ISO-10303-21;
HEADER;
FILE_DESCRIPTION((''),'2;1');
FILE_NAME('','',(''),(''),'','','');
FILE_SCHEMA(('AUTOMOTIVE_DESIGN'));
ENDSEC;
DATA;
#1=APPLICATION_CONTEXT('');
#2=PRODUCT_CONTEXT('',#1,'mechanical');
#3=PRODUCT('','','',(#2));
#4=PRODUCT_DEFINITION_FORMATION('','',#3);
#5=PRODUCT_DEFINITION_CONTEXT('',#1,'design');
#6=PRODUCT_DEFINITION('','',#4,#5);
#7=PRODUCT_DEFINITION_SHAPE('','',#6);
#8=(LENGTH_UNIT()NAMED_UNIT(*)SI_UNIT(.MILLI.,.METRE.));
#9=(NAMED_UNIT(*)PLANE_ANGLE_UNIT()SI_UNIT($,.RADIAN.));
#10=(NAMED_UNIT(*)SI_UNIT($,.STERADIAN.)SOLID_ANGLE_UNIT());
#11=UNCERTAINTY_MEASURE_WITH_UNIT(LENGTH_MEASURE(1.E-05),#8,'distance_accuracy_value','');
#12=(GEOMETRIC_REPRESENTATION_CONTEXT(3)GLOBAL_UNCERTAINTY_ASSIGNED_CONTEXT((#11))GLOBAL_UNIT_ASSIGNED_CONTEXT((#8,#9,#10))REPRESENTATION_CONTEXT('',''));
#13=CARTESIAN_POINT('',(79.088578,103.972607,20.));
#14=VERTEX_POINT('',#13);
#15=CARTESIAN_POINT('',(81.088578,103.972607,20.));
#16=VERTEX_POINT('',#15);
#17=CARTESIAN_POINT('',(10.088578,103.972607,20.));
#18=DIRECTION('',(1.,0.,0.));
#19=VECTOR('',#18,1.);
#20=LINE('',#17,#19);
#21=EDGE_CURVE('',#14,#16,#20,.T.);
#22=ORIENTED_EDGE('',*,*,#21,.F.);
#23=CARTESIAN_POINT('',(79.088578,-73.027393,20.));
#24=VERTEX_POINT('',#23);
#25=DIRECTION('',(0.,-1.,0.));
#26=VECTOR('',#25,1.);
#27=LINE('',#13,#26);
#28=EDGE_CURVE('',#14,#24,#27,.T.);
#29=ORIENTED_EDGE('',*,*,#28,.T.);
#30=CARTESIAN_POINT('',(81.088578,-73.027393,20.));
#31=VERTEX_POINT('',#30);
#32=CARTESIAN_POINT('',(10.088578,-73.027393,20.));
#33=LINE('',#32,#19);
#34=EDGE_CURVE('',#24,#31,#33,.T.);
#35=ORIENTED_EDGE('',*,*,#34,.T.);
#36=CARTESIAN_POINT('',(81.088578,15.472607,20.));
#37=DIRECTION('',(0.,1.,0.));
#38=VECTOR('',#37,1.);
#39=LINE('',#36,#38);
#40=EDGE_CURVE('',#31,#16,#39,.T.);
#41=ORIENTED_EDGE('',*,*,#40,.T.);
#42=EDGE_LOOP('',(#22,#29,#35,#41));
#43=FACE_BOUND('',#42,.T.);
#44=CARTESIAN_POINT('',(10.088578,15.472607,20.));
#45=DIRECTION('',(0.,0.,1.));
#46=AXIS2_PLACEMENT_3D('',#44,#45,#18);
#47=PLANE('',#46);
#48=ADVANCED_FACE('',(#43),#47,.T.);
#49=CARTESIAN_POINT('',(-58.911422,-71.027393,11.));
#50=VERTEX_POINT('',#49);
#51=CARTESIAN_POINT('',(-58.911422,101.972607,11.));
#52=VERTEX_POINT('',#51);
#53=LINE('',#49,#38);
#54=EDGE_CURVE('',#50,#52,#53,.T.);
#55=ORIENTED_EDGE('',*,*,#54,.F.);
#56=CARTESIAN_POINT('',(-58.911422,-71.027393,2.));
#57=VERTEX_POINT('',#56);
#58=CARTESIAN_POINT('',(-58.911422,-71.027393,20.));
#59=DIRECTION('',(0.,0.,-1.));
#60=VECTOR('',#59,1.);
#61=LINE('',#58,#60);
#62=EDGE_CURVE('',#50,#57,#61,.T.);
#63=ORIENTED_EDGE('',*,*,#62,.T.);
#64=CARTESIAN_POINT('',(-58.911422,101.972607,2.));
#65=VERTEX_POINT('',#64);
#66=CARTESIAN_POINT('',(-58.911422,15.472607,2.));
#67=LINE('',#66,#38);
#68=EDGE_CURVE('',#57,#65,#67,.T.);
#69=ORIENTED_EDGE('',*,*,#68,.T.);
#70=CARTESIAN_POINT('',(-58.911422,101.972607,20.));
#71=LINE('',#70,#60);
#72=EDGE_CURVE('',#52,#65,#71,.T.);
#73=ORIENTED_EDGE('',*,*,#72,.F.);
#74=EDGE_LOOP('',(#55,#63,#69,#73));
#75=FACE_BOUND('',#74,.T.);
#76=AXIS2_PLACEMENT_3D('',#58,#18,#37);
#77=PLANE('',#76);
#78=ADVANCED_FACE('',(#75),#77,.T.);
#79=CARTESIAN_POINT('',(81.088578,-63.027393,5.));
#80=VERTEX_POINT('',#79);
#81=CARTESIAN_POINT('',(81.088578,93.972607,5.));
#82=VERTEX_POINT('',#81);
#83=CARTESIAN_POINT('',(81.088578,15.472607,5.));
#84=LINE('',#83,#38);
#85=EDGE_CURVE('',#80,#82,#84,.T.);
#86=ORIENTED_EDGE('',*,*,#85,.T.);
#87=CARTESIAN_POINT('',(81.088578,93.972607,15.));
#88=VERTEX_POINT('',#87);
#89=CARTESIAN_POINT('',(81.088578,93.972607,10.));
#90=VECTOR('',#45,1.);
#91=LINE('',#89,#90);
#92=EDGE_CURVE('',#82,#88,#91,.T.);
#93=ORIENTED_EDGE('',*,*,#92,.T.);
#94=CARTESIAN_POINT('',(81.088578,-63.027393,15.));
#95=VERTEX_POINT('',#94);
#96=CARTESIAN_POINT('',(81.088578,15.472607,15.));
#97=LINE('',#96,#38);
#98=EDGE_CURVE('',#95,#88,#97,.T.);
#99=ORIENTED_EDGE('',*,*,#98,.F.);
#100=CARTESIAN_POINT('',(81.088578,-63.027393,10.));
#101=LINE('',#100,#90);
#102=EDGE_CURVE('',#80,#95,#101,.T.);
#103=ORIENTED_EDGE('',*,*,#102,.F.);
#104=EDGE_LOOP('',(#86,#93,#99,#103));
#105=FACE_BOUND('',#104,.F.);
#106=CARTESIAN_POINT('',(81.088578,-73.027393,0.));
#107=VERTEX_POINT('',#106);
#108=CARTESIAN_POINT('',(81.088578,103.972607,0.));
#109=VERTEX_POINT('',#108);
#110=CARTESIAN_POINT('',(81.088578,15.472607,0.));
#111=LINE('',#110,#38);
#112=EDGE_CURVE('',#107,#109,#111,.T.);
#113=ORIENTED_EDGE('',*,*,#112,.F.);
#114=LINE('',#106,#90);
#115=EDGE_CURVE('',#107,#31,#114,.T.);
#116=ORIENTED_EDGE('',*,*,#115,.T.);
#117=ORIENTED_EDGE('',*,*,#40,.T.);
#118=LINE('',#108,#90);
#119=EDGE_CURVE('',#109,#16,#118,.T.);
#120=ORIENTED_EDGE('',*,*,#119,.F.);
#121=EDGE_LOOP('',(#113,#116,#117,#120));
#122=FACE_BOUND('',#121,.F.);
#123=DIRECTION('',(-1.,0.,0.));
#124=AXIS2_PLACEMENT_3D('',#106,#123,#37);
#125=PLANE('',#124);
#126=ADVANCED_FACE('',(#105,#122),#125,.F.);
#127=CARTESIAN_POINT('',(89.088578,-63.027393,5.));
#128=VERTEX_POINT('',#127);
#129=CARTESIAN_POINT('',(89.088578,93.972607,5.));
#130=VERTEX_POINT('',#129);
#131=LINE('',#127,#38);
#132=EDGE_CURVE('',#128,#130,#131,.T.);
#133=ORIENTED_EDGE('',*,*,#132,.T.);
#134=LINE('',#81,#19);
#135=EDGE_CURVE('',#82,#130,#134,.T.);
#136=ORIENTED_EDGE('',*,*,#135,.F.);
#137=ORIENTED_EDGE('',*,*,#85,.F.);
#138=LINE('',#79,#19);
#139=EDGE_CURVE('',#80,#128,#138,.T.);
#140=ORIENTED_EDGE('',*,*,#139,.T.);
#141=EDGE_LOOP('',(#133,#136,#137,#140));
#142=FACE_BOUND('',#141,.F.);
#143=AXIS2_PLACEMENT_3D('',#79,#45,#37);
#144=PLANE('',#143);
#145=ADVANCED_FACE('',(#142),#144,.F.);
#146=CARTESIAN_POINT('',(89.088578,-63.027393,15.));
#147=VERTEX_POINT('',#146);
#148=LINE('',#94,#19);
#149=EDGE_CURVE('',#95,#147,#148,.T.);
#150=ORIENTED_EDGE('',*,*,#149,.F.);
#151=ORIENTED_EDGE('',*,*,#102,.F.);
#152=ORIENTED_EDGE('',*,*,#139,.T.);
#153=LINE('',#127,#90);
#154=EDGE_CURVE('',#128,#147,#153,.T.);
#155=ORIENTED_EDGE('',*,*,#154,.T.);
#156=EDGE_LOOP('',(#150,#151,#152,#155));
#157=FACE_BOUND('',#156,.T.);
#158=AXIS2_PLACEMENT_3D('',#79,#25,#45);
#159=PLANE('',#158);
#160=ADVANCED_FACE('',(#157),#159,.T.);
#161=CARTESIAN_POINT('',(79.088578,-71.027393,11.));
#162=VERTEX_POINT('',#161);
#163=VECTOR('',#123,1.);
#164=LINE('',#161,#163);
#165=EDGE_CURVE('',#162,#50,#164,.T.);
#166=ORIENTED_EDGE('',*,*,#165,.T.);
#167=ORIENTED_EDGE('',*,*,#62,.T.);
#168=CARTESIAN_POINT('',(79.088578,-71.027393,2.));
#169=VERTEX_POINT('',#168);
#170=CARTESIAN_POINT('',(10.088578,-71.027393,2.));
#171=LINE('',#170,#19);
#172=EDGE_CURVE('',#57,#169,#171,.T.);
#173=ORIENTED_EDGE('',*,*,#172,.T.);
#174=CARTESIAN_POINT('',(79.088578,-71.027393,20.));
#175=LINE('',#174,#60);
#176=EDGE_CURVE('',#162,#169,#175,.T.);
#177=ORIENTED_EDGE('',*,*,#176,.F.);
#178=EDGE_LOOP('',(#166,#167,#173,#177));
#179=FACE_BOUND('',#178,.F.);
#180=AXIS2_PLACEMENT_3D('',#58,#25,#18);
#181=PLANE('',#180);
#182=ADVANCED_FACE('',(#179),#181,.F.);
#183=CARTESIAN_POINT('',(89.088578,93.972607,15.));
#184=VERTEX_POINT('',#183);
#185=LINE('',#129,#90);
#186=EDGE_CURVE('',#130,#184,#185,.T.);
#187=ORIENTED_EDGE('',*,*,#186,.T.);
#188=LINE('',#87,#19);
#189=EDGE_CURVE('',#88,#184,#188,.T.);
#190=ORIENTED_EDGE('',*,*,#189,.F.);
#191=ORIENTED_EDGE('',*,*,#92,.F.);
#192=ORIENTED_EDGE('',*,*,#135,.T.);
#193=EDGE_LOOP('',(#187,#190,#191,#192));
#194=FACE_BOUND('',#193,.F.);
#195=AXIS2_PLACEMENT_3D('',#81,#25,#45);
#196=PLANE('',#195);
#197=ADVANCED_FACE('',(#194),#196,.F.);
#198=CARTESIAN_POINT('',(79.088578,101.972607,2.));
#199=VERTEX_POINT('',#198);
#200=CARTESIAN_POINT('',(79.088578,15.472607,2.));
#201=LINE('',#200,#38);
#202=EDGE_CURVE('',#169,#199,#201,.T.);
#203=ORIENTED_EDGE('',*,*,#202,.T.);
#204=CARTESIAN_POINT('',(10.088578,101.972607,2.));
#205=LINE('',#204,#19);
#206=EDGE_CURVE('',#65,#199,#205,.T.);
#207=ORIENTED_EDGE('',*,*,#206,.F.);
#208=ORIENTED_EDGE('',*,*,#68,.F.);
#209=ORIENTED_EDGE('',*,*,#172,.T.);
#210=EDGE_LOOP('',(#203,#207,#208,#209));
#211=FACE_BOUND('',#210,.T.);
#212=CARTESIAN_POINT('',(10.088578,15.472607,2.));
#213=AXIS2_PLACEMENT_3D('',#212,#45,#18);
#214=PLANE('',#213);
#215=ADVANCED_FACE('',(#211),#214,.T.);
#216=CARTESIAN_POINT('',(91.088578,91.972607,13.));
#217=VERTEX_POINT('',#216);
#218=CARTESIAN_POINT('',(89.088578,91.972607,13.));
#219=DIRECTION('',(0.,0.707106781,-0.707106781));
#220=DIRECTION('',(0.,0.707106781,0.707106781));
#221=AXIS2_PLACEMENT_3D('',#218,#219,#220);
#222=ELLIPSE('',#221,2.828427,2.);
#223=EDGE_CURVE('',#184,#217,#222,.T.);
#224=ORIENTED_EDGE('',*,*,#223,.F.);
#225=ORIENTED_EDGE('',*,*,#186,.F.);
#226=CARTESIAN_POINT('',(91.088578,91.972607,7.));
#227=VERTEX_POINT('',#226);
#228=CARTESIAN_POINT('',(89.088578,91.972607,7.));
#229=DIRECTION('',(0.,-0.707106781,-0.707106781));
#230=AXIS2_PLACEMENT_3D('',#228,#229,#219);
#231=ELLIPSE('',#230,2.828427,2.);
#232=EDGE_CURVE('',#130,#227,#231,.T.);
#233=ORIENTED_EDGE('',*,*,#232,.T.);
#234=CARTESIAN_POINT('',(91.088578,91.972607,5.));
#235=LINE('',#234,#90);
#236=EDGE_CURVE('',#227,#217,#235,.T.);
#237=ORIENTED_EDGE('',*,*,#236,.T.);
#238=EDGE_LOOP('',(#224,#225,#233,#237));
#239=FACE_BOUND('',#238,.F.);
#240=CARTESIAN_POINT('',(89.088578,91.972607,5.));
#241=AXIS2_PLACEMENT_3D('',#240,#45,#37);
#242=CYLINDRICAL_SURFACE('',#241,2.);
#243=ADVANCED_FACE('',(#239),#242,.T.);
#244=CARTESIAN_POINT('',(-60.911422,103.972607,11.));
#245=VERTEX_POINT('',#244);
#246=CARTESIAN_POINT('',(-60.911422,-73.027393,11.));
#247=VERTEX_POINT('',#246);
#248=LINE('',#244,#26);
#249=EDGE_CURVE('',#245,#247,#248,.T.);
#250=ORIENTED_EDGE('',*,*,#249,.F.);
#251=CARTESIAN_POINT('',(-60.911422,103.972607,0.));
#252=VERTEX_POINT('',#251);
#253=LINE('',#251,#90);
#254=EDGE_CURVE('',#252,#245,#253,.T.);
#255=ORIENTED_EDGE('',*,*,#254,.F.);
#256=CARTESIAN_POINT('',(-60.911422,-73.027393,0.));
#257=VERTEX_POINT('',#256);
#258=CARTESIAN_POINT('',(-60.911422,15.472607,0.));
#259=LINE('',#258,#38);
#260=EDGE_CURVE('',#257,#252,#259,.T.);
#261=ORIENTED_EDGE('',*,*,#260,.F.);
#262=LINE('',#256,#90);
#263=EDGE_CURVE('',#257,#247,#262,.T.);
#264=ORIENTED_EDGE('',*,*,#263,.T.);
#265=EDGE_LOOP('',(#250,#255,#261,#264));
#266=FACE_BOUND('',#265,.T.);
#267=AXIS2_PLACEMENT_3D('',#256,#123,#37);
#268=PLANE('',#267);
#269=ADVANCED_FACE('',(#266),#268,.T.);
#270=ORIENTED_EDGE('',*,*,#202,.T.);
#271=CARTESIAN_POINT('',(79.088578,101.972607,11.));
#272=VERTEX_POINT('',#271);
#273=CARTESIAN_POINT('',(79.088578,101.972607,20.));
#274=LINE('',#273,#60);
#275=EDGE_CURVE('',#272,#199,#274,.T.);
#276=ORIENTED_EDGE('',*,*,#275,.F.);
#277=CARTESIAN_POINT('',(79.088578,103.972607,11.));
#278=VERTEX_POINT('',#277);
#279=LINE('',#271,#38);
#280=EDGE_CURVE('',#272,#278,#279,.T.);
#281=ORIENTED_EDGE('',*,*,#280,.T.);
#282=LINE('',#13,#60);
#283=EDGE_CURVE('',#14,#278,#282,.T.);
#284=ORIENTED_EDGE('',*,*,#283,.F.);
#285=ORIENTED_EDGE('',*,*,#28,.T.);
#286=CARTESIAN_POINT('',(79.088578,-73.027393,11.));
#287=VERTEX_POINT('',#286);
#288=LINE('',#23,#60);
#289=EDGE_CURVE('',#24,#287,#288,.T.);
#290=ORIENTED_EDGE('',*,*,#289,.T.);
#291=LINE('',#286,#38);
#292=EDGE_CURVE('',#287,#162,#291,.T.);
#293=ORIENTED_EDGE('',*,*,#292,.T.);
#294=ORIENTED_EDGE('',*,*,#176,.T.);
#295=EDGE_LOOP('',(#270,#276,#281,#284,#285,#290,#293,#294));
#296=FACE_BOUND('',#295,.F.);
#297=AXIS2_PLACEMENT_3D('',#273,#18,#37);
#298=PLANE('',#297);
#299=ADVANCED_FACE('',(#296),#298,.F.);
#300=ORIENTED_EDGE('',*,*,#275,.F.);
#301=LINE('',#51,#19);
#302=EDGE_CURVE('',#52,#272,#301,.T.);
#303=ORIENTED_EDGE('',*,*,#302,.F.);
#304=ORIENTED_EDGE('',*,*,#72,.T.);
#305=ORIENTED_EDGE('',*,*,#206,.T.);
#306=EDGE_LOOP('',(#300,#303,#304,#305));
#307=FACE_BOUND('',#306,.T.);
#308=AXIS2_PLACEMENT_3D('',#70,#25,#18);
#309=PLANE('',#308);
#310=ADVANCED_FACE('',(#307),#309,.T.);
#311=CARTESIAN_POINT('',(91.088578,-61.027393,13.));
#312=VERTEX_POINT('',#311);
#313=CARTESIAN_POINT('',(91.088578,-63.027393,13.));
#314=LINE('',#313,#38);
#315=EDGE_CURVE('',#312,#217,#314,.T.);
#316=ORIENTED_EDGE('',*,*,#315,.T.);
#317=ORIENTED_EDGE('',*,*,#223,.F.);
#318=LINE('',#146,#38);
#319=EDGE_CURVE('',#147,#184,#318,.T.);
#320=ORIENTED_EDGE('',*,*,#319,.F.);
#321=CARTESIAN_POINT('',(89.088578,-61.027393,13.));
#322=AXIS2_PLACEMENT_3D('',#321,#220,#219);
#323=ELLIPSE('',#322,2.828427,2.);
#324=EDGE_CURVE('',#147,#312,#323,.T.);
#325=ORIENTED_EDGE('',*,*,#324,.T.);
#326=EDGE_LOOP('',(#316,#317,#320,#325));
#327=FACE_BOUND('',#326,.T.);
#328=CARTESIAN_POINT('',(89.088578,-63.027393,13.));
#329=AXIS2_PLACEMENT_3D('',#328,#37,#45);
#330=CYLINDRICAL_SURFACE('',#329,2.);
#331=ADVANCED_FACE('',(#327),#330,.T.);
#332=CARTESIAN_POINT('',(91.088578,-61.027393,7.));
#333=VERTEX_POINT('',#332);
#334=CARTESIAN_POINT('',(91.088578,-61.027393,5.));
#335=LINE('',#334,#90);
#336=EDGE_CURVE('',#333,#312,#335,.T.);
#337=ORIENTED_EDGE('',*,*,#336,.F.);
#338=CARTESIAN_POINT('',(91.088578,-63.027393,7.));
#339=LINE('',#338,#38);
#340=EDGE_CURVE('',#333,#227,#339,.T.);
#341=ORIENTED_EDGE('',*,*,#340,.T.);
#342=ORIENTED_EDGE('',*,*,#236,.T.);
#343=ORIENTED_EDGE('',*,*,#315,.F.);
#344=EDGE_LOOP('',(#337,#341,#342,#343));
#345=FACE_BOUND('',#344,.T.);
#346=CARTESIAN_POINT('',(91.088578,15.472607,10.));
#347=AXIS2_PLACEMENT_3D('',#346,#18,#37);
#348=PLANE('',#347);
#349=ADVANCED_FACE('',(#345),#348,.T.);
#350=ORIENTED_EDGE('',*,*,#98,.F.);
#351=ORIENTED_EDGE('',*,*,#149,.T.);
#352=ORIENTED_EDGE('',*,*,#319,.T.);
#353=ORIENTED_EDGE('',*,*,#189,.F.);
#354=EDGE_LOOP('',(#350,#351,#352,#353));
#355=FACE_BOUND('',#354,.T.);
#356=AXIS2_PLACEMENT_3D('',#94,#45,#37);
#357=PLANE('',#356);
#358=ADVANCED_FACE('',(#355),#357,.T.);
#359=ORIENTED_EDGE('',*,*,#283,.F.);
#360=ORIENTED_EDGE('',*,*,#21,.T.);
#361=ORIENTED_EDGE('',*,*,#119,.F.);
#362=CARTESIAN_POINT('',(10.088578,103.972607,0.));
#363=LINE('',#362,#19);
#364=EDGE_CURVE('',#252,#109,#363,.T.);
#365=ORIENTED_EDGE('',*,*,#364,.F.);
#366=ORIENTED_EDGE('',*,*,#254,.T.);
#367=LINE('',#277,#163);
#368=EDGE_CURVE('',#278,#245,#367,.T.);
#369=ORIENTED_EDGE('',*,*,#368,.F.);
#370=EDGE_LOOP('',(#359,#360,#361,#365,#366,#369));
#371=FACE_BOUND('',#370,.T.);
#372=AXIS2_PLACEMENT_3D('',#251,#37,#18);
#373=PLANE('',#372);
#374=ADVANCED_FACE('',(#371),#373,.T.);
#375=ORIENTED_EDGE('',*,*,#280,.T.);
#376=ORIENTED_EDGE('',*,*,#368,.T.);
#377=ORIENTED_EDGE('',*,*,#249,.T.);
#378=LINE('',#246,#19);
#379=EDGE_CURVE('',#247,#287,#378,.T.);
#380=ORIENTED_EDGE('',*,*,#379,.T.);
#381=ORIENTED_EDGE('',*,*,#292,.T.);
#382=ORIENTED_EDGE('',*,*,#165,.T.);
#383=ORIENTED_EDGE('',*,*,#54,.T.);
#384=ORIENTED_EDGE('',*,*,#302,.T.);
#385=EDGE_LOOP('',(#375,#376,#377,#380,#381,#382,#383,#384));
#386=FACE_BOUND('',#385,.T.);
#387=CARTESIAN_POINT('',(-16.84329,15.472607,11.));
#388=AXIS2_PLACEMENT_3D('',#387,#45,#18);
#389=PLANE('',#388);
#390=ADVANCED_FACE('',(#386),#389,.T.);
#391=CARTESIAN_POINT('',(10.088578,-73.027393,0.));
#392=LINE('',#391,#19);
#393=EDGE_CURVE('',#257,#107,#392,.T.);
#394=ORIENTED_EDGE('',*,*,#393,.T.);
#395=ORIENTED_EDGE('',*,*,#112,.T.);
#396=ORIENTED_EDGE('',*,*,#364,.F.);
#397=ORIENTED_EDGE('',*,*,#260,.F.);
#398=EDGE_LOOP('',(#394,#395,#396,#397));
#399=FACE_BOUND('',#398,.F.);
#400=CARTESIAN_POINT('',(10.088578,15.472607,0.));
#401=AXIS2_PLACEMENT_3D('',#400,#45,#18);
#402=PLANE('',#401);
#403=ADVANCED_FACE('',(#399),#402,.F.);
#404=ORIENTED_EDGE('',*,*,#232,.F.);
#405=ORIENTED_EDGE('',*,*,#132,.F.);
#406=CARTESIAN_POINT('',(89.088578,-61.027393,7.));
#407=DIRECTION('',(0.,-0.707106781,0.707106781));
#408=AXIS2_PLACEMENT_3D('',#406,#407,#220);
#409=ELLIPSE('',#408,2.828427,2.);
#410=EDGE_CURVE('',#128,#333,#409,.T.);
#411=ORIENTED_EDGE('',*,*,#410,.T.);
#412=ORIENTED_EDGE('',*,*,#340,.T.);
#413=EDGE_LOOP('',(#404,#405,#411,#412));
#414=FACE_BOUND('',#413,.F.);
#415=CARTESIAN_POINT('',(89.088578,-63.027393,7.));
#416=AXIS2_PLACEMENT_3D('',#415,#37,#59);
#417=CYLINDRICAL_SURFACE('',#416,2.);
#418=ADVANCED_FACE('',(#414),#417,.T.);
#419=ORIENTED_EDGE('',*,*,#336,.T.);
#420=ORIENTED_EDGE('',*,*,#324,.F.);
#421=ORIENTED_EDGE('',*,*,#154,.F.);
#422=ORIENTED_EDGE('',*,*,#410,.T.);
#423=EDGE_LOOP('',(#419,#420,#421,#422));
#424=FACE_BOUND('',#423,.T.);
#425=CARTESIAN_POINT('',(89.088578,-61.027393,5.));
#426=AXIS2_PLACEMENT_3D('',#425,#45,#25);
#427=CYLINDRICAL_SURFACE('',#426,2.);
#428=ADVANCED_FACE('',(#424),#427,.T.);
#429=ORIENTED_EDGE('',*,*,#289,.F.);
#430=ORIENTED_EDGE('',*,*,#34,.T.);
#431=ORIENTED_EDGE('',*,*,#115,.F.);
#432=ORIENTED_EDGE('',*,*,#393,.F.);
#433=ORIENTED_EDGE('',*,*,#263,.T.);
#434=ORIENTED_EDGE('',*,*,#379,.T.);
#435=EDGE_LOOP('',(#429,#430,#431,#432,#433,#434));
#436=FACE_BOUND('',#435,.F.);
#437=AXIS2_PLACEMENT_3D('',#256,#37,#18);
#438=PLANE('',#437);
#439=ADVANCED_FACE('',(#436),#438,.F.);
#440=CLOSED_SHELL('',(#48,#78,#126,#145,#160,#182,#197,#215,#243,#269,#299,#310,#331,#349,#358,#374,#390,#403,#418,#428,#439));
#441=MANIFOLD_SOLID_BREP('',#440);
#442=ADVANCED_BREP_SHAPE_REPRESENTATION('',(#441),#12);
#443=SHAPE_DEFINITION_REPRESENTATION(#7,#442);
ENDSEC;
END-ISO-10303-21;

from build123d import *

# Parameters (mm, degrees)
F0_W     = 142
F0_H     = 177
F1_DEPTH = 20
F2_W     = 138
F2_H     = 173
F3_DEPTH = 18
F4_DEPTH = 9
F5_W     = 157
F5_H     = 10
F6_DEPTH = 10
F7_R     = 2


with BuildPart() as f1:
    # F0 (on Top) → F1 (new body)
    with BuildSketch(Plane.XY):
        with Locations((10.088578, 15.472607)):
            Rectangle(F0_W, F0_H)
    extrude(amount=F1_DEPTH)

    # F2 (on face) → F3 (cut)
    with BuildSketch(Plane.XY.offset(20)):
        with Locations((10.088578, 15.472607)):
            Rectangle(F2_W, F2_H)
    extrude(amount=-F3_DEPTH, mode=Mode.SUBTRACT)

    # F2 (on face) → F4 (cut)
    with BuildSketch(Plane.XY.offset(20)):
        Polygon((-60.911422, -73.027393), (79.088578, -73.027393), (79.088578, -71.027393), (-58.911422, -71.027393), (-58.911422, 101.972607), (79.088578, 101.972607), (79.088578, 103.972607), (-60.911422, 103.972607), align=None)
    extrude(amount=-F4_DEPTH, mode=Mode.SUBTRACT)

    # F5 (on face) → F6 (join)
    with BuildSketch(Plane.YZ.offset(81.088578)):
        with Locations((15.472607, 10)):
            Rectangle(F5_W, F5_H)
    extrude(amount=F6_DEPTH)

    # F7
    f7_edges = [f1.edges().sort_by_distance(p)[0] for p in [
        (91.088578, 15.472607, 15),
        (91.088578, 15.472607, 5),
        (91.088578, -63.027393, 10),
        (91.088578, 93.972607, 10),
    ]]
    fillet(f7_edges, radius=F7_R)


solid = f1.part
